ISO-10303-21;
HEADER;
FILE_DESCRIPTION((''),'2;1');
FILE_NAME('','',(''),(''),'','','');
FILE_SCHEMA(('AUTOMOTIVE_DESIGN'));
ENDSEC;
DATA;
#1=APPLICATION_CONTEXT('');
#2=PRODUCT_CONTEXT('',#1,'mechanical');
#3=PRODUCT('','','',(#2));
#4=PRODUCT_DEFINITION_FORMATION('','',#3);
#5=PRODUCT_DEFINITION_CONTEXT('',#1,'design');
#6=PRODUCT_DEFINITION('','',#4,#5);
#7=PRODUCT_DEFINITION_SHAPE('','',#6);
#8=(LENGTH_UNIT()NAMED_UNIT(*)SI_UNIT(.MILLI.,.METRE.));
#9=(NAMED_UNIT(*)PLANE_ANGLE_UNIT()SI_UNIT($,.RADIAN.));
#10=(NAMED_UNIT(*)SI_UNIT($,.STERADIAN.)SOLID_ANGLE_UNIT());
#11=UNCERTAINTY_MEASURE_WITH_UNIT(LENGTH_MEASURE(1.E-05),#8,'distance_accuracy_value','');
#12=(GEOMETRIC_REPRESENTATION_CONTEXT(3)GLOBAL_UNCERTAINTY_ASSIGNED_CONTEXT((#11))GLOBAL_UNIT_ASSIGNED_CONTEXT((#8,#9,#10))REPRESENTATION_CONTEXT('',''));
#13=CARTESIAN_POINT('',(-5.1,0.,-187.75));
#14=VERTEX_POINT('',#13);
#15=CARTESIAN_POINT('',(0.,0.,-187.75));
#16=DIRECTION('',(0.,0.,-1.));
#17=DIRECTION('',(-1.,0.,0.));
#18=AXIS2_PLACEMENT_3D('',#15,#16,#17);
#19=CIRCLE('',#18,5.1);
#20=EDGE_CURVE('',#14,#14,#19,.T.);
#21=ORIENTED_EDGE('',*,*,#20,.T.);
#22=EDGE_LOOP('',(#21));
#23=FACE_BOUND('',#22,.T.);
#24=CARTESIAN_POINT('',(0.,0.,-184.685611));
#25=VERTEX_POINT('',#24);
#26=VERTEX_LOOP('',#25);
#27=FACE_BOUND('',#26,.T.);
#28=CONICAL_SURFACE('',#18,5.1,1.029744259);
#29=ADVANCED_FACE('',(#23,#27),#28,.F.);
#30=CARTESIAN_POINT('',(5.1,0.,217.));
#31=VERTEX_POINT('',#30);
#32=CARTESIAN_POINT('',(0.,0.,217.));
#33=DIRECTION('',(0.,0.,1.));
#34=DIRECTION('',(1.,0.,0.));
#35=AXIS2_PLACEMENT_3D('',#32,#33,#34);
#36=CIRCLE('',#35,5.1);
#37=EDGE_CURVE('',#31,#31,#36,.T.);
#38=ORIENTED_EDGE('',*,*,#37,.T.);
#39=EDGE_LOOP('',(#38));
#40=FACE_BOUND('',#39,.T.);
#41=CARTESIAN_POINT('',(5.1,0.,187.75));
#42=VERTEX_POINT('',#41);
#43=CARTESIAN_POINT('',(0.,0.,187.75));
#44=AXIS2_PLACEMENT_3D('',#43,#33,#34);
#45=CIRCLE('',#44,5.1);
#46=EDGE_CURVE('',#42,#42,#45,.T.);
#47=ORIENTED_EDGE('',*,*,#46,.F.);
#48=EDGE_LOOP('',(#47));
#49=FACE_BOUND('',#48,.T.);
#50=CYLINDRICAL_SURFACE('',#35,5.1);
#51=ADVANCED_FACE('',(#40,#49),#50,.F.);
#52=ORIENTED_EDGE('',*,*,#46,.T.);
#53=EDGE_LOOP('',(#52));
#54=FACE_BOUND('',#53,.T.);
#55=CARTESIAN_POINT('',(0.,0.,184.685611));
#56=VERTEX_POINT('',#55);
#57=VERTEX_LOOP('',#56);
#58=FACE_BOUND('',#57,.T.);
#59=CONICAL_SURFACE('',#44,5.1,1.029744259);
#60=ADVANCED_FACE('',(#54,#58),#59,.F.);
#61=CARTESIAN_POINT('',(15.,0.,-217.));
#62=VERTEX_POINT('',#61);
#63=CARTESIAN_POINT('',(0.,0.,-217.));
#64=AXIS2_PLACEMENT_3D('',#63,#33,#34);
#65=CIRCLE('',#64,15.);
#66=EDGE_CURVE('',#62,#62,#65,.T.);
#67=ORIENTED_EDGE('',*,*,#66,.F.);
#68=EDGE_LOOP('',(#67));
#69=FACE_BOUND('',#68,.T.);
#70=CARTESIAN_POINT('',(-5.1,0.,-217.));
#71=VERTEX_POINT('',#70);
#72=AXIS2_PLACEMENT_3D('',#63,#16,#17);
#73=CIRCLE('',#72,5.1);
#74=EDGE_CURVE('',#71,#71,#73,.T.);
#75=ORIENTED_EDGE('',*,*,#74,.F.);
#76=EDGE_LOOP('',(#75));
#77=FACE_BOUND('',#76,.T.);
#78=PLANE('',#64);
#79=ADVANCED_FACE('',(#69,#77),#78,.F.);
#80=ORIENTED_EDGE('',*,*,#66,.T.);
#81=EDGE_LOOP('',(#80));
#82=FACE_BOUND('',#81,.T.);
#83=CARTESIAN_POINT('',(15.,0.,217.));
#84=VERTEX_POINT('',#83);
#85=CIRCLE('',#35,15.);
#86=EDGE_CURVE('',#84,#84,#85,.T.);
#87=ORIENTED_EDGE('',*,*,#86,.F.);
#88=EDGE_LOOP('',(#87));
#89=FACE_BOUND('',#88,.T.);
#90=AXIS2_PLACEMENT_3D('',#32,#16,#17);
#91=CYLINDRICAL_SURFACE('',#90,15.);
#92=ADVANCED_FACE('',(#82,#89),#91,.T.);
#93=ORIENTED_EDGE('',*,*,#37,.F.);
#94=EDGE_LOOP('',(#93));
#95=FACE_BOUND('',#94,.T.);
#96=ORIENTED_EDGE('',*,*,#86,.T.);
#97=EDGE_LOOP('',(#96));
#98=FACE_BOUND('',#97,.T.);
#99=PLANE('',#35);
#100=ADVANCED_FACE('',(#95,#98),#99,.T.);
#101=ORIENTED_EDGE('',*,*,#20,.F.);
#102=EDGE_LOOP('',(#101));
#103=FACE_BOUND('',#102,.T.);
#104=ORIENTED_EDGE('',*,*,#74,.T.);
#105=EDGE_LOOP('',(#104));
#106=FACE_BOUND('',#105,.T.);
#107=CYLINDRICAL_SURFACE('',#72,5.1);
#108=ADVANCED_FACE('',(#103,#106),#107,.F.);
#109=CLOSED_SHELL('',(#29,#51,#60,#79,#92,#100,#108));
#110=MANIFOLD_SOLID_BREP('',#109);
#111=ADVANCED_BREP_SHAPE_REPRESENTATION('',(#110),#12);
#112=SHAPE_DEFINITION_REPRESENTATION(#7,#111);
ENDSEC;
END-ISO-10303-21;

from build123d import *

# Parameters (mm, degrees)
SKETCH_1_R                        = 15
EXTRUDE_1_DEPTH                   = 217
HOLE_WIZARD_M12_1_D               = 10.2
HOLE_WIZARD_M12_1_DEPTH           = 29.25
HOLE_WIZARD_M12_1_TIP             = 3.064389157
HOLE_WIZARD_M12_1_ON_FACE_2_D     = 10.2
HOLE_WIZARD_M12_1_ON_FACE_2_DEPTH = 29.25
HOLE_WIZARD_M12_1_ON_FACE_2_TIP   = 3.064389157


with BuildPart() as part:
    # 草图1 → 凸台-拉伸1 (new body, symmetric)
    with BuildSketch(Plane.XY):
        Circle(SKETCH_1_R)
    extrude(amount=EXTRUDE_1_DEPTH, both=True)

    # M12 螺纹孔1
    with Locations(Plane.XY.offset(217)):
        with Locations((0, 0)):
            Hole(HOLE_WIZARD_M12_1_D / 2, depth=HOLE_WIZARD_M12_1_DEPTH)
            with Locations((0, 0, -(HOLE_WIZARD_M12_1_DEPTH + HOLE_WIZARD_M12_1_TIP / 2))):  # 118° drill point
                Cone(0, HOLE_WIZARD_M12_1_D / 2, HOLE_WIZARD_M12_1_TIP, mode=Mode.SUBTRACT)

    # M12 螺纹孔1 on face 2
    with Locations(Plane(origin=(0, 0, -217), x_dir=(-1, 0, 0), z_dir=(0, 0, -1))):
        with Locations((0, 0)):
            Hole(HOLE_WIZARD_M12_1_ON_FACE_2_D / 2, depth=HOLE_WIZARD_M12_1_ON_FACE_2_DEPTH)
            with Locations((0, 0, -(HOLE_WIZARD_M12_1_ON_FACE_2_DEPTH + HOLE_WIZARD_M12_1_ON_FACE_2_TIP / 2))):  # 118° drill point
                Cone(0, HOLE_WIZARD_M12_1_ON_FACE_2_D / 2, HOLE_WIZARD_M12_1_ON_FACE_2_TIP, mode=Mode.SUBTRACT)


solid = part.part
